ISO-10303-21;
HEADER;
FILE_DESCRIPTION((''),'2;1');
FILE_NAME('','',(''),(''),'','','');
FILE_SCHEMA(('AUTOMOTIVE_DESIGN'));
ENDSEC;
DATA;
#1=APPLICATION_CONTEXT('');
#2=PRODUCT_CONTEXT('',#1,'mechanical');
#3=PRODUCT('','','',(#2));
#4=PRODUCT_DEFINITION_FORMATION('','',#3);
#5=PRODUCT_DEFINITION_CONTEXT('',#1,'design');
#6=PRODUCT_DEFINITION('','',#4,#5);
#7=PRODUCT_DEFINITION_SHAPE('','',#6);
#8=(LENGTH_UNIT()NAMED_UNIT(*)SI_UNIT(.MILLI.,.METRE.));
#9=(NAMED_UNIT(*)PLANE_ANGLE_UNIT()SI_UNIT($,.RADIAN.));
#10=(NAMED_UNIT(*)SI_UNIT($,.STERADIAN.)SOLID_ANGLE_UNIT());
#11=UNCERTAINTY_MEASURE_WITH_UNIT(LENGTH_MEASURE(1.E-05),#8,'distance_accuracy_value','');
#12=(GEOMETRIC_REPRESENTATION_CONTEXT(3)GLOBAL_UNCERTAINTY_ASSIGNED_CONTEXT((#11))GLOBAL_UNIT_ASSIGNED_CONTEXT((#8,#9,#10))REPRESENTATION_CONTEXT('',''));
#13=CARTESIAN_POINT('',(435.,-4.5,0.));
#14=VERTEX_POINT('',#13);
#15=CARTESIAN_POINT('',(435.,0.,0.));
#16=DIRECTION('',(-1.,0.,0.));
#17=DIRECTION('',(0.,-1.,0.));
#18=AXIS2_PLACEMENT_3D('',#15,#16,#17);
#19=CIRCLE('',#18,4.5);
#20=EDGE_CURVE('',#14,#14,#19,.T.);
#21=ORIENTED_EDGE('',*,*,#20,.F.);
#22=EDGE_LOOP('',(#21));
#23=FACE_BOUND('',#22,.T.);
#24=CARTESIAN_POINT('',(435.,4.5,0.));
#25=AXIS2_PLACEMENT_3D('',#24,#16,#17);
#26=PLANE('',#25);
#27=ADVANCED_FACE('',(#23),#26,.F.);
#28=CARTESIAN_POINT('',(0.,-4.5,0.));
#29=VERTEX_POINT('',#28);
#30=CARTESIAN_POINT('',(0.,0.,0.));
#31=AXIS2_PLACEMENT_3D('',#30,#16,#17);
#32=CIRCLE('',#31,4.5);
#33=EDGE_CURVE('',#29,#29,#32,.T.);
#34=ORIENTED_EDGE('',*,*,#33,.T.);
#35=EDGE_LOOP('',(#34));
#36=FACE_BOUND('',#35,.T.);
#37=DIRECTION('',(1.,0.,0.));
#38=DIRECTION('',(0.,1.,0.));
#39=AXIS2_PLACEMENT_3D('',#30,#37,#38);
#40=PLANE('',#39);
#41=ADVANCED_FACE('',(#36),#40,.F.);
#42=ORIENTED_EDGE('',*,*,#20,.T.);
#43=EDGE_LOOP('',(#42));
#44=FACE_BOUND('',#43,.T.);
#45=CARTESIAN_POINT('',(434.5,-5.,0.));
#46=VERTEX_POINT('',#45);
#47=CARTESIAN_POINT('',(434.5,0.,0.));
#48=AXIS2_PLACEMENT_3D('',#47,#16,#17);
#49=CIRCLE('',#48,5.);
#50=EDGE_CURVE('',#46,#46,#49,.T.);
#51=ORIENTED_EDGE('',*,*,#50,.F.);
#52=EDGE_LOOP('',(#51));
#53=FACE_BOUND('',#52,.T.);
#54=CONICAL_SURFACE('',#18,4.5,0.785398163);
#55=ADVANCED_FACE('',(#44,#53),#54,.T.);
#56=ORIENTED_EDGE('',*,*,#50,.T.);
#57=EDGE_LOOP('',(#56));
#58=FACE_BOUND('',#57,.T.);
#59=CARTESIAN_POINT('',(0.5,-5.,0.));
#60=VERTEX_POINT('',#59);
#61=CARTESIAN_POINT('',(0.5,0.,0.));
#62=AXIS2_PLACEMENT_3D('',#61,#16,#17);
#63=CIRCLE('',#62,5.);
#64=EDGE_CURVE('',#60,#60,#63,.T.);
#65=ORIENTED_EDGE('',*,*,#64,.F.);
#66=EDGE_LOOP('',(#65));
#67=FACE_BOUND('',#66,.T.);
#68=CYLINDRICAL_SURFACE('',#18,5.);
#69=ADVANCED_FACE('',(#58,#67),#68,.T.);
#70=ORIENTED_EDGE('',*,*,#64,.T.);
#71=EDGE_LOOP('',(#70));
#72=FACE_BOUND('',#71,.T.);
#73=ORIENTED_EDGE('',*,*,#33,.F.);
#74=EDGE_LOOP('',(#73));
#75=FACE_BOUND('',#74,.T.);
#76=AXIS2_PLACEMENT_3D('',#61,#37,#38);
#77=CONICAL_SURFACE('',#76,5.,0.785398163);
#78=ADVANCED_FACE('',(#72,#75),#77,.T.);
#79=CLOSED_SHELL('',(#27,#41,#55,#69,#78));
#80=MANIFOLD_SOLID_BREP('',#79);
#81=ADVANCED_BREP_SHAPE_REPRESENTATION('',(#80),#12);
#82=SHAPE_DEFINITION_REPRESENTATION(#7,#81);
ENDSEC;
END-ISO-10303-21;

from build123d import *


with BuildPart() as part:
    # Sketch1 → Revolve1 (revolve)
    with BuildSketch(Plane.XY):
        Polygon((0, 0), (0, 4.5), (0.5, 5), (434.5, 5), (435, 4.5), (435, 0), align=None)
    revolve(axis=Axis((435, 0, 0), (-1, 0, 0)))


solid = part.part
